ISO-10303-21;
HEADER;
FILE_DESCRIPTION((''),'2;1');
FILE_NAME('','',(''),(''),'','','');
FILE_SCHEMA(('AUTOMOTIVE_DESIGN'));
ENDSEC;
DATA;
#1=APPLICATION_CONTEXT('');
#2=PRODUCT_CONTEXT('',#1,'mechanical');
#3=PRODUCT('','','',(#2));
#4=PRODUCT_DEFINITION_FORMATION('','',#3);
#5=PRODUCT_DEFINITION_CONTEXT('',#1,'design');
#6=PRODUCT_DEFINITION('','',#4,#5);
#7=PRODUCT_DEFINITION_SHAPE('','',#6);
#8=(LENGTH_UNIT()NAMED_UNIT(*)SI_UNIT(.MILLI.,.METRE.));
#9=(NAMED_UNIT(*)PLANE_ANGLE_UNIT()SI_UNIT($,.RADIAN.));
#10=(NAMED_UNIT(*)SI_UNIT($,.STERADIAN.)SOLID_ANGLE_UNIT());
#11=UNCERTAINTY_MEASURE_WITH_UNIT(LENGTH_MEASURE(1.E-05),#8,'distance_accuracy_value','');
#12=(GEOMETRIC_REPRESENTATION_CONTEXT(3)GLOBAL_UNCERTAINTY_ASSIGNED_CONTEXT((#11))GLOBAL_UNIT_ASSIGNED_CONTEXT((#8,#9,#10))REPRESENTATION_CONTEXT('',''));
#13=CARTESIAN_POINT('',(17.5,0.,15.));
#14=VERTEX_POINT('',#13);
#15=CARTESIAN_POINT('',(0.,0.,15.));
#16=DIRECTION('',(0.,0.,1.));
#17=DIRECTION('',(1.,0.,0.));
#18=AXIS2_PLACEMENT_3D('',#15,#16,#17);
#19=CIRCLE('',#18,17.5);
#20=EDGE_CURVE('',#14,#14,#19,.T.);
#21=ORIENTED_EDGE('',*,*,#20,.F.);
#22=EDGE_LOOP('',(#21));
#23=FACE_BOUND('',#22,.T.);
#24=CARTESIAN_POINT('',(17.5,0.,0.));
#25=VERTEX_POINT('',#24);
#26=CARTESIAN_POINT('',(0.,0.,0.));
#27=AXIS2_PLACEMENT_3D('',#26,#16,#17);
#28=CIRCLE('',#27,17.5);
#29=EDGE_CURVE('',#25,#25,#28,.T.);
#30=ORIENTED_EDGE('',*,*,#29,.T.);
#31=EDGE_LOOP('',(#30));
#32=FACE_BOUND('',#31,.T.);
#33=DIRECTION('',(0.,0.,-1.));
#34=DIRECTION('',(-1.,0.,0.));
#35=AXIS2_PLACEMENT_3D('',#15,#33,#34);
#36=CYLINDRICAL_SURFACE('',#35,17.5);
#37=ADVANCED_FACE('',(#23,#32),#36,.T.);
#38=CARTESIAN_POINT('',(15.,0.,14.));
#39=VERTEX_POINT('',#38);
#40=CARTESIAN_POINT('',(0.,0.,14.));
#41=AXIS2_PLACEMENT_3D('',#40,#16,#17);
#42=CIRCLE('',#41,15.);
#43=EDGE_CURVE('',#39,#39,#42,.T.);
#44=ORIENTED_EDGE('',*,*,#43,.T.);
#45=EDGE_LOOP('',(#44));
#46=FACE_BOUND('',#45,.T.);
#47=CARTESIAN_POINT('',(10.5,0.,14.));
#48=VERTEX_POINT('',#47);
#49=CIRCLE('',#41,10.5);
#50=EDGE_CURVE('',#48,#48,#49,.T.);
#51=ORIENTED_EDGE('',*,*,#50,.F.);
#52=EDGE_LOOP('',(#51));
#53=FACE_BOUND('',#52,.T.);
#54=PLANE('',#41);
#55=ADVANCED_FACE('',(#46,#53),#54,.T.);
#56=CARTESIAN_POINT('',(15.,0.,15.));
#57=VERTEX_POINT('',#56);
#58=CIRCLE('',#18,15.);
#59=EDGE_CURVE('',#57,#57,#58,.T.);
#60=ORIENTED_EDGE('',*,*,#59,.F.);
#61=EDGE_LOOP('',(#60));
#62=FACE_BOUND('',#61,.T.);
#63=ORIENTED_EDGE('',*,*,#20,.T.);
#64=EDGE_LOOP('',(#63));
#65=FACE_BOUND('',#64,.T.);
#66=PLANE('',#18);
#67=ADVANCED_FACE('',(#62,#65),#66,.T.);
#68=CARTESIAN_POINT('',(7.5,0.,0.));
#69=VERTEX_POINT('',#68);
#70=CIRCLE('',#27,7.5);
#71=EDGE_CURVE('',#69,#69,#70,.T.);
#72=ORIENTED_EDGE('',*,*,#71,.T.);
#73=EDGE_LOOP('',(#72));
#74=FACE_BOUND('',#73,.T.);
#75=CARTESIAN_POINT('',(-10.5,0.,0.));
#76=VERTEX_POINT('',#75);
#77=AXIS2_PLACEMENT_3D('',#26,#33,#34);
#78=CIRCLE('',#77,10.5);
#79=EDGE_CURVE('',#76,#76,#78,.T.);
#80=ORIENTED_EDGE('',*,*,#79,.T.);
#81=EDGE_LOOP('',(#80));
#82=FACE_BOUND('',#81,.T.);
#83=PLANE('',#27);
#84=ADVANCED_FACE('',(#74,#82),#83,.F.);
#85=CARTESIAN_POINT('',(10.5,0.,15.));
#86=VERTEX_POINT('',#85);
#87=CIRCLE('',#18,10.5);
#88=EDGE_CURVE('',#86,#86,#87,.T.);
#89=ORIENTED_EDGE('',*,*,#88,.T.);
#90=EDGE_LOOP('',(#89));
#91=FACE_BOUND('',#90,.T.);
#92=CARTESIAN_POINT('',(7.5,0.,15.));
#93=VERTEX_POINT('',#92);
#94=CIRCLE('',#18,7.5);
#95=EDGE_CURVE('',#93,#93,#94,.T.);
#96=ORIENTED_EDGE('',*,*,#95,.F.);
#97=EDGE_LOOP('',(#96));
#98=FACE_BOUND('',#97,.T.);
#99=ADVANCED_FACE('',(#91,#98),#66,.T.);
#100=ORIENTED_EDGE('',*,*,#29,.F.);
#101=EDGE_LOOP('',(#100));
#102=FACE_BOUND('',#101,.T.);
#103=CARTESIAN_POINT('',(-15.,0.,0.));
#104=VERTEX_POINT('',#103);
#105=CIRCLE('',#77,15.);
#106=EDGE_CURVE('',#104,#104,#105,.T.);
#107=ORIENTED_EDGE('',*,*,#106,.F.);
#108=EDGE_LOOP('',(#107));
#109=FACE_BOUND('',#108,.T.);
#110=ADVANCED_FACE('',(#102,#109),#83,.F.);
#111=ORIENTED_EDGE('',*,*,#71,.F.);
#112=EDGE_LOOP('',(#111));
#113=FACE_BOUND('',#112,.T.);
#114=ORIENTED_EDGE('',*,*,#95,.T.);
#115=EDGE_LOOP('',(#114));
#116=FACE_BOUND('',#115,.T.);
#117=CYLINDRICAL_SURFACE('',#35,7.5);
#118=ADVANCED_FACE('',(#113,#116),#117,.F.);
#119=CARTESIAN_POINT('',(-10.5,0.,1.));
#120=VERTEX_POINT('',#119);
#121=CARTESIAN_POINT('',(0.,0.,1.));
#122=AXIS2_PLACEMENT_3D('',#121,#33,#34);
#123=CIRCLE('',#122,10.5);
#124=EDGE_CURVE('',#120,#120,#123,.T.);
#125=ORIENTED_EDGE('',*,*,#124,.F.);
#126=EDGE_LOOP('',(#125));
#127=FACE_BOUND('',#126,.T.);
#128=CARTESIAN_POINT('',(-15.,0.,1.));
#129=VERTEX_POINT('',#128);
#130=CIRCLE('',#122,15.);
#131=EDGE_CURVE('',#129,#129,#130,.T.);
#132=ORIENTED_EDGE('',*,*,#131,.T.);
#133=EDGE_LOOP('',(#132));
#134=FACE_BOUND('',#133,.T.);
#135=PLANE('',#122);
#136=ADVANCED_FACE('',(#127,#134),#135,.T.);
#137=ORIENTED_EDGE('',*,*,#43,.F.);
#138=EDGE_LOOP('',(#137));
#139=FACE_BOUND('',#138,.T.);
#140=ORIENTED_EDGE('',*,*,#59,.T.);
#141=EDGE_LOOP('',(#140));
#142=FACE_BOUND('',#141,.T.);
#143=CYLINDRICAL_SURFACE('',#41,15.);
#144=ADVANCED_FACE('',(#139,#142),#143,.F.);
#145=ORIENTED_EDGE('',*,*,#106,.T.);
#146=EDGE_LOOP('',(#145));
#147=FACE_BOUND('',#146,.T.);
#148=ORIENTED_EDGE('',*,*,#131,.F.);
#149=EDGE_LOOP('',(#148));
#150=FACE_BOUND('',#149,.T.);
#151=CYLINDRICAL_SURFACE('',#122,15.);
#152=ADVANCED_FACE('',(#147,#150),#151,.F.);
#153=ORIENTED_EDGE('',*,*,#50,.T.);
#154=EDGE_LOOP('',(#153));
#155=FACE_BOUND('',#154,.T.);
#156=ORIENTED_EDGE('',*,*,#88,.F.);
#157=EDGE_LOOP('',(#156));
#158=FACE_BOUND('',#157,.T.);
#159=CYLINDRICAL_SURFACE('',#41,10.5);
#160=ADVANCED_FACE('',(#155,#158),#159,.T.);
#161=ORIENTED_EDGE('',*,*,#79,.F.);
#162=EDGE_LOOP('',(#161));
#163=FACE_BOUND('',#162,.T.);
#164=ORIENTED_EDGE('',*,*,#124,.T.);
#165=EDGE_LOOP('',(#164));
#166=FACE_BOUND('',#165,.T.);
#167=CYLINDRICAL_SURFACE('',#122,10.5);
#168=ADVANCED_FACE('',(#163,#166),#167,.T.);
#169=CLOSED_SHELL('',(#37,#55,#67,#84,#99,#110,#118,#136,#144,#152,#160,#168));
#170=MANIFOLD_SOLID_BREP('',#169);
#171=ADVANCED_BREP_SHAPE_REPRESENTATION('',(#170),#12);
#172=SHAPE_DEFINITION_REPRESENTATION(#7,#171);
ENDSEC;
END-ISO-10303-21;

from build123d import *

# Parameters (mm, degrees)
SKETCH3_R           = 17.5
SKETCH3_R_2         = 7.5
BOSS_EXTRUDE1_DEPTH = 15
SKETCH4_R           = 15
SKETCH4_R_2         = 10.5
CUT_EXTRUDE1_DEPTH  = 1
CUT_EXTRUDE2_START  = -1
SKETCH5_R           = 15
SKETCH5_R_2         = 10.5
CUT_EXTRUDE2_DEPTH  = 1


with BuildPart() as part:
    # Sketch3 → Boss-Extrude1 (new body)
    with BuildSketch(Plane.XY):
        Circle(SKETCH3_R)
        Circle(SKETCH3_R_2, mode=Mode.SUBTRACT)
    extrude(amount=BOSS_EXTRUDE1_DEPTH)

    # Sketch4 → Cut-Extrude1 (cut)
    with BuildSketch(Plane.XY.offset(15)):
        Circle(SKETCH4_R)
        Circle(SKETCH4_R_2, mode=Mode.SUBTRACT)
    extrude(amount=-CUT_EXTRUDE1_DEPTH, mode=Mode.SUBTRACT)

    # Sketch5 → Cut-Extrude2 (cut)
    with BuildSketch(Plane(origin=(0, 0, 0), x_dir=(-1, 0, 0), z_dir=(0, 0, -1)).offset(CUT_EXTRUDE2_START)):
        with Locations(Location((0, 0, 0), (0, 0, 180))):
            Circle(SKETCH5_R)
        with Locations(Location((0, 0, 0), (0, 0, 180))):
            Circle(SKETCH5_R_2, mode=Mode.SUBTRACT)
    extrude(amount=CUT_EXTRUDE2_DEPTH, mode=Mode.SUBTRACT)


solid = part.part
